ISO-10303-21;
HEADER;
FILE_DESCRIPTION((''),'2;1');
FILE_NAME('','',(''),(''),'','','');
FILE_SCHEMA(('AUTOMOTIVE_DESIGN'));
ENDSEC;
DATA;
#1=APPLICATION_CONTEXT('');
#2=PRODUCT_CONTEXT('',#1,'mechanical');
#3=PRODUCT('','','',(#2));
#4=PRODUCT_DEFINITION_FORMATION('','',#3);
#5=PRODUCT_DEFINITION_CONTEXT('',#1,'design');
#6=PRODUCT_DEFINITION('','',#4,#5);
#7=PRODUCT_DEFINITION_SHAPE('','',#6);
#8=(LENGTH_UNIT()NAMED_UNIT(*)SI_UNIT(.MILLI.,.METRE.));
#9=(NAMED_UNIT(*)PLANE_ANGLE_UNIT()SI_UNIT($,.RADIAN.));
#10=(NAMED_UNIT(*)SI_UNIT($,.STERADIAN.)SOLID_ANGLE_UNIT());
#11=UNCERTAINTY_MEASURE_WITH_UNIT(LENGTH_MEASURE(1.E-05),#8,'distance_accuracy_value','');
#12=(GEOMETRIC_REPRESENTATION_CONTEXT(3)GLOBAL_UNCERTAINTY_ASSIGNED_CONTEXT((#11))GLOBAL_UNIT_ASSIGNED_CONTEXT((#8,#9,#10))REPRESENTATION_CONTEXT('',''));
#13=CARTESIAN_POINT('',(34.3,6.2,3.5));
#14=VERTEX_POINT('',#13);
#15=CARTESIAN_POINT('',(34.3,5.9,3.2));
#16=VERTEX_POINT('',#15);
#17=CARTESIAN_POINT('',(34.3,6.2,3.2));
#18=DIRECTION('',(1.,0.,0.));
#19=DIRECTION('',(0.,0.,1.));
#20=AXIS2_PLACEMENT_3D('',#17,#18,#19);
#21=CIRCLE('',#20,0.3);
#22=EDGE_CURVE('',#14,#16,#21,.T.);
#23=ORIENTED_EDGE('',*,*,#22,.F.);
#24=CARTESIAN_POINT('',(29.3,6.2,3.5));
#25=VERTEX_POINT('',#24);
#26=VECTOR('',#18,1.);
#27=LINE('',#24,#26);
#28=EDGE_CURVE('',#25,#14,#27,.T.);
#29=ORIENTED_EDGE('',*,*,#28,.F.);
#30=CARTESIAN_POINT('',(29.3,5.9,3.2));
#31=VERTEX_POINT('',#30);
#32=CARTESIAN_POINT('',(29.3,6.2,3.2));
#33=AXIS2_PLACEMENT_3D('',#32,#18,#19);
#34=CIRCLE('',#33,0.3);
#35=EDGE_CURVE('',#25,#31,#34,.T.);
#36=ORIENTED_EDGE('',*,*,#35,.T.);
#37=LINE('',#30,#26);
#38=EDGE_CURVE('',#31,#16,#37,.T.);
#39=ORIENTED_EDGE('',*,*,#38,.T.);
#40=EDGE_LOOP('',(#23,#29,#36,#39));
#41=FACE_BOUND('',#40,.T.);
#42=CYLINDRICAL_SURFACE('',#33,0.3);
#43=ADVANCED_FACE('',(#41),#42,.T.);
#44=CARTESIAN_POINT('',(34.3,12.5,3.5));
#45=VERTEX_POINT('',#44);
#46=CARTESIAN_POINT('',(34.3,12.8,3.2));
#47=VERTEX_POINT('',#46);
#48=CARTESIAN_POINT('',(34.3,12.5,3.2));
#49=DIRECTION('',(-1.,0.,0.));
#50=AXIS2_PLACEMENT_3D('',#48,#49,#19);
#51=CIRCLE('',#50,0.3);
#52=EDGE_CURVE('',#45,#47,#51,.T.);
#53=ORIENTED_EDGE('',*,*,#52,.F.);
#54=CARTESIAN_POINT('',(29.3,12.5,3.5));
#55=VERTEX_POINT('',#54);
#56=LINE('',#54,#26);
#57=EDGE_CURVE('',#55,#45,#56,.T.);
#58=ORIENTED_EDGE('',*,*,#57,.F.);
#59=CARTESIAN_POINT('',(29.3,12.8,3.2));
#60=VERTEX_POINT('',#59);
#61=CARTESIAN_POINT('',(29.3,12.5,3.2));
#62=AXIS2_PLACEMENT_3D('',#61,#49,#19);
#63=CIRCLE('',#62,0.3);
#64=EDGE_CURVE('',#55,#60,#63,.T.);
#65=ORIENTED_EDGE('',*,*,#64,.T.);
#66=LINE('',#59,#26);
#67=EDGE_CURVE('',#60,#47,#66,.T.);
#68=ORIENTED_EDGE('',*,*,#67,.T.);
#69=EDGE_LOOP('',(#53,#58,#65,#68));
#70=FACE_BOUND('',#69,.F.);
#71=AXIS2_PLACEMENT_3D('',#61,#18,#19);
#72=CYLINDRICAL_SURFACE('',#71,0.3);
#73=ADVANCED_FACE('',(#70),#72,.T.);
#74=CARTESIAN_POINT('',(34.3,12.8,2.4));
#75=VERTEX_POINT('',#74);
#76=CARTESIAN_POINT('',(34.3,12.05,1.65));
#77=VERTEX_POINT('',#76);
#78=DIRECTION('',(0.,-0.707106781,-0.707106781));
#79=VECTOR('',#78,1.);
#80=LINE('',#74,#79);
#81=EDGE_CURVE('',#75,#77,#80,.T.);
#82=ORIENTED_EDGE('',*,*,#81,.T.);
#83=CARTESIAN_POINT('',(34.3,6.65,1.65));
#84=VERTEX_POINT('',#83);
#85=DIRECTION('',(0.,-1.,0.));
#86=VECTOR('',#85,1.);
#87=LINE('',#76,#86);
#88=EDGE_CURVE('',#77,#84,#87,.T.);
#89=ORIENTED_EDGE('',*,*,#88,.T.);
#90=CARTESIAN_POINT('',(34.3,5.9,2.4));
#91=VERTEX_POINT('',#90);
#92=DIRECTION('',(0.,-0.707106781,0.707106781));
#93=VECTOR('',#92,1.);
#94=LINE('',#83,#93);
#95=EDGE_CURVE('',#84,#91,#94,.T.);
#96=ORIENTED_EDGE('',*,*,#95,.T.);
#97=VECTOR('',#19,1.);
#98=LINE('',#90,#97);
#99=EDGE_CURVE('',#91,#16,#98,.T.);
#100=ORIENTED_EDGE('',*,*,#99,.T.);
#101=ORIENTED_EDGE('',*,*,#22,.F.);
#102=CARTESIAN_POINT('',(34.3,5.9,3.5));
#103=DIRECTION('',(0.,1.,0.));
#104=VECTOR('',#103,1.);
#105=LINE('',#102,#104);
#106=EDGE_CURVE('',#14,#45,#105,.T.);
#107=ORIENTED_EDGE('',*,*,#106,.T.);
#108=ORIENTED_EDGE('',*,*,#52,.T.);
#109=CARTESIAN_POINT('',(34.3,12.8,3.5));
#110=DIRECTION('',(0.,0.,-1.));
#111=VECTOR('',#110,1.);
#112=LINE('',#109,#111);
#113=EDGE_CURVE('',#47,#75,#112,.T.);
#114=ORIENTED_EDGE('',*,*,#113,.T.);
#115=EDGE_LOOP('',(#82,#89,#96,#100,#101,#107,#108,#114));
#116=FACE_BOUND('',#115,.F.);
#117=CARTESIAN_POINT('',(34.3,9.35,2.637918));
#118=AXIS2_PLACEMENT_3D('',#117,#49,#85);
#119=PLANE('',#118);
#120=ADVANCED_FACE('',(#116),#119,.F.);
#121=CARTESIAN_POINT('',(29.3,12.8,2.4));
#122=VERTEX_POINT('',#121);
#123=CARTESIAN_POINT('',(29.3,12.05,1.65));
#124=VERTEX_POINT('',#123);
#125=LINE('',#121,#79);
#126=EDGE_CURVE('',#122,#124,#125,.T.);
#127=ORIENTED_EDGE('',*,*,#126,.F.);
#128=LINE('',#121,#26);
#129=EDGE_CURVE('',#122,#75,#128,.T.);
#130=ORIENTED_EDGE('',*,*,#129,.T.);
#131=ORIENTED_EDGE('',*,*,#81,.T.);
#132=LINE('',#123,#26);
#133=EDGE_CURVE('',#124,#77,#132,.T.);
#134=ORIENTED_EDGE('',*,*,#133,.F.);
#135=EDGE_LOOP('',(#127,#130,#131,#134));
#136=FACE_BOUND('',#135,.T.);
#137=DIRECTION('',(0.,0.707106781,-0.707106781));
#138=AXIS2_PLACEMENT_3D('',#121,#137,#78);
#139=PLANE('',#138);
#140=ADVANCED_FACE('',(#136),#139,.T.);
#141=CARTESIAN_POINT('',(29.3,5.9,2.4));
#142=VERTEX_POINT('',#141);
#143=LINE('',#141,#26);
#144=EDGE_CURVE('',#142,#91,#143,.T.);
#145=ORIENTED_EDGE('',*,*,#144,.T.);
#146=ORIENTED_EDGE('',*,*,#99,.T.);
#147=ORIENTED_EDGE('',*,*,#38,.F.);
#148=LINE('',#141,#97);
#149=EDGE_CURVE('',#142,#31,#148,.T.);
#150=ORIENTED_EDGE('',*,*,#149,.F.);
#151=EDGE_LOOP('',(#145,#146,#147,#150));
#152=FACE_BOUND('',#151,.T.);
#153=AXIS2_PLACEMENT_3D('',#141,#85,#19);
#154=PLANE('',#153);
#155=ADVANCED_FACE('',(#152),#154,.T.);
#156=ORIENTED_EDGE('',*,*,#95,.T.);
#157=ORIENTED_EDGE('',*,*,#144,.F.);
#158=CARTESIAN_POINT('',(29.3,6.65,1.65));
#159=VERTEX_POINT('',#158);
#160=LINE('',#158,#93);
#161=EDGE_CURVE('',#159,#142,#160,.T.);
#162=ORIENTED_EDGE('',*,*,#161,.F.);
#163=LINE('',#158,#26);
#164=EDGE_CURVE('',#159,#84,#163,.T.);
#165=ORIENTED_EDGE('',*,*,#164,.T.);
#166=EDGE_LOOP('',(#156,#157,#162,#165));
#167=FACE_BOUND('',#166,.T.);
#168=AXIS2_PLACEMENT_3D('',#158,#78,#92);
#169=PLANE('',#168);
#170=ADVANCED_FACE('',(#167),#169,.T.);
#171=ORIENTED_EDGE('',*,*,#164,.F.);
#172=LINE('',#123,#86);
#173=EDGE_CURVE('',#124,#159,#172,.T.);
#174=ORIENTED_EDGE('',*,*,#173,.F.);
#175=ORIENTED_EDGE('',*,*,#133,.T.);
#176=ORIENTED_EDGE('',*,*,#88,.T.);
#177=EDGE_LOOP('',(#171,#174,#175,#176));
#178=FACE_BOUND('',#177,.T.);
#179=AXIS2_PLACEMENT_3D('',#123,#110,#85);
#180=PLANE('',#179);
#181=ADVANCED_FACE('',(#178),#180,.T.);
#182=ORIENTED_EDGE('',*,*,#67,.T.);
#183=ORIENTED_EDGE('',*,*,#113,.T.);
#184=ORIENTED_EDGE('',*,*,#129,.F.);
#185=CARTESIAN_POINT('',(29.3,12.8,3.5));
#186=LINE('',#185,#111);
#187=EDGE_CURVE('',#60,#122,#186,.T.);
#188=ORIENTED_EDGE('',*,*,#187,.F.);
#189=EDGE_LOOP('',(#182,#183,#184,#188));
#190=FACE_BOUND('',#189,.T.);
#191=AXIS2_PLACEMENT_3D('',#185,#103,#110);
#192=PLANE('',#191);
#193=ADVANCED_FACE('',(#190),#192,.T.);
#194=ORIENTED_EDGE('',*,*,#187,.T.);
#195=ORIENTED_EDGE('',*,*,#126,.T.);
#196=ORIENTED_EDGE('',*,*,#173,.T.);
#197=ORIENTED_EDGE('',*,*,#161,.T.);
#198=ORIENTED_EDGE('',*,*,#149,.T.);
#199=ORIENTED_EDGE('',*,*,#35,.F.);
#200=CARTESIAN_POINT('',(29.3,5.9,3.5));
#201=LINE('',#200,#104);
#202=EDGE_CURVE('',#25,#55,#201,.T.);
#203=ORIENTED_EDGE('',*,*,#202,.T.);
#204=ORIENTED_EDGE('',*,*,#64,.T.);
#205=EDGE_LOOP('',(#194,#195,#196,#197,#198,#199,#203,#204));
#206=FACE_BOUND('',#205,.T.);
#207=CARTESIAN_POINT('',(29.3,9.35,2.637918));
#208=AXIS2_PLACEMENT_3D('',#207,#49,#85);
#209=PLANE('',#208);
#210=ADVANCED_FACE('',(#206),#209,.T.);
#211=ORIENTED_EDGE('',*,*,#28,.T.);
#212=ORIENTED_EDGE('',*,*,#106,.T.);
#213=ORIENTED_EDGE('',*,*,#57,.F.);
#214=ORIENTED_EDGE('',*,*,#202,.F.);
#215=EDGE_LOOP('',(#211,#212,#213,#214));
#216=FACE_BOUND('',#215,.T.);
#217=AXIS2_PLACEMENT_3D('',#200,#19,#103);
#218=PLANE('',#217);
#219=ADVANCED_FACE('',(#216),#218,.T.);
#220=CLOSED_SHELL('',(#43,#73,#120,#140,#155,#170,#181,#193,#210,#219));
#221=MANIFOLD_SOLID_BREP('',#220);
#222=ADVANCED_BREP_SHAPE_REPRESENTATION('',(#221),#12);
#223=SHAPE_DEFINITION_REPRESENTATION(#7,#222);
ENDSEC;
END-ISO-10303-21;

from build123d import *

# Parameters (mm, degrees)
PAD001_DEPTH = 5
FILLET_R     = 0.3
FILLET001_R  = 0.3


with BuildPart() as part:
    # Sketch002 → Pad001 (new body)
    with BuildSketch(Plane.YZ.offset(29.3)):
        Polygon((5.9, 3.5), (12.8, 3.5), (12.8, 2.4), (12.05, 1.65), (6.65, 1.65), (5.9, 2.4), align=None)
    extrude(amount=PAD001_DEPTH)

    # Fillet
    fillet_edges = [part.edges().sort_by_distance(p)[0] for p in [
        (31.8, 5.9, 3.5),
    ]]
    fillet(fillet_edges, radius=FILLET_R)

    # Fillet001
    fillet001_edges = [part.edges().sort_by_distance(p)[0] for p in [
        (31.8, 12.8, 3.5),
    ]]
    fillet(fillet001_edges, radius=FILLET001_R)


solid = part.part
